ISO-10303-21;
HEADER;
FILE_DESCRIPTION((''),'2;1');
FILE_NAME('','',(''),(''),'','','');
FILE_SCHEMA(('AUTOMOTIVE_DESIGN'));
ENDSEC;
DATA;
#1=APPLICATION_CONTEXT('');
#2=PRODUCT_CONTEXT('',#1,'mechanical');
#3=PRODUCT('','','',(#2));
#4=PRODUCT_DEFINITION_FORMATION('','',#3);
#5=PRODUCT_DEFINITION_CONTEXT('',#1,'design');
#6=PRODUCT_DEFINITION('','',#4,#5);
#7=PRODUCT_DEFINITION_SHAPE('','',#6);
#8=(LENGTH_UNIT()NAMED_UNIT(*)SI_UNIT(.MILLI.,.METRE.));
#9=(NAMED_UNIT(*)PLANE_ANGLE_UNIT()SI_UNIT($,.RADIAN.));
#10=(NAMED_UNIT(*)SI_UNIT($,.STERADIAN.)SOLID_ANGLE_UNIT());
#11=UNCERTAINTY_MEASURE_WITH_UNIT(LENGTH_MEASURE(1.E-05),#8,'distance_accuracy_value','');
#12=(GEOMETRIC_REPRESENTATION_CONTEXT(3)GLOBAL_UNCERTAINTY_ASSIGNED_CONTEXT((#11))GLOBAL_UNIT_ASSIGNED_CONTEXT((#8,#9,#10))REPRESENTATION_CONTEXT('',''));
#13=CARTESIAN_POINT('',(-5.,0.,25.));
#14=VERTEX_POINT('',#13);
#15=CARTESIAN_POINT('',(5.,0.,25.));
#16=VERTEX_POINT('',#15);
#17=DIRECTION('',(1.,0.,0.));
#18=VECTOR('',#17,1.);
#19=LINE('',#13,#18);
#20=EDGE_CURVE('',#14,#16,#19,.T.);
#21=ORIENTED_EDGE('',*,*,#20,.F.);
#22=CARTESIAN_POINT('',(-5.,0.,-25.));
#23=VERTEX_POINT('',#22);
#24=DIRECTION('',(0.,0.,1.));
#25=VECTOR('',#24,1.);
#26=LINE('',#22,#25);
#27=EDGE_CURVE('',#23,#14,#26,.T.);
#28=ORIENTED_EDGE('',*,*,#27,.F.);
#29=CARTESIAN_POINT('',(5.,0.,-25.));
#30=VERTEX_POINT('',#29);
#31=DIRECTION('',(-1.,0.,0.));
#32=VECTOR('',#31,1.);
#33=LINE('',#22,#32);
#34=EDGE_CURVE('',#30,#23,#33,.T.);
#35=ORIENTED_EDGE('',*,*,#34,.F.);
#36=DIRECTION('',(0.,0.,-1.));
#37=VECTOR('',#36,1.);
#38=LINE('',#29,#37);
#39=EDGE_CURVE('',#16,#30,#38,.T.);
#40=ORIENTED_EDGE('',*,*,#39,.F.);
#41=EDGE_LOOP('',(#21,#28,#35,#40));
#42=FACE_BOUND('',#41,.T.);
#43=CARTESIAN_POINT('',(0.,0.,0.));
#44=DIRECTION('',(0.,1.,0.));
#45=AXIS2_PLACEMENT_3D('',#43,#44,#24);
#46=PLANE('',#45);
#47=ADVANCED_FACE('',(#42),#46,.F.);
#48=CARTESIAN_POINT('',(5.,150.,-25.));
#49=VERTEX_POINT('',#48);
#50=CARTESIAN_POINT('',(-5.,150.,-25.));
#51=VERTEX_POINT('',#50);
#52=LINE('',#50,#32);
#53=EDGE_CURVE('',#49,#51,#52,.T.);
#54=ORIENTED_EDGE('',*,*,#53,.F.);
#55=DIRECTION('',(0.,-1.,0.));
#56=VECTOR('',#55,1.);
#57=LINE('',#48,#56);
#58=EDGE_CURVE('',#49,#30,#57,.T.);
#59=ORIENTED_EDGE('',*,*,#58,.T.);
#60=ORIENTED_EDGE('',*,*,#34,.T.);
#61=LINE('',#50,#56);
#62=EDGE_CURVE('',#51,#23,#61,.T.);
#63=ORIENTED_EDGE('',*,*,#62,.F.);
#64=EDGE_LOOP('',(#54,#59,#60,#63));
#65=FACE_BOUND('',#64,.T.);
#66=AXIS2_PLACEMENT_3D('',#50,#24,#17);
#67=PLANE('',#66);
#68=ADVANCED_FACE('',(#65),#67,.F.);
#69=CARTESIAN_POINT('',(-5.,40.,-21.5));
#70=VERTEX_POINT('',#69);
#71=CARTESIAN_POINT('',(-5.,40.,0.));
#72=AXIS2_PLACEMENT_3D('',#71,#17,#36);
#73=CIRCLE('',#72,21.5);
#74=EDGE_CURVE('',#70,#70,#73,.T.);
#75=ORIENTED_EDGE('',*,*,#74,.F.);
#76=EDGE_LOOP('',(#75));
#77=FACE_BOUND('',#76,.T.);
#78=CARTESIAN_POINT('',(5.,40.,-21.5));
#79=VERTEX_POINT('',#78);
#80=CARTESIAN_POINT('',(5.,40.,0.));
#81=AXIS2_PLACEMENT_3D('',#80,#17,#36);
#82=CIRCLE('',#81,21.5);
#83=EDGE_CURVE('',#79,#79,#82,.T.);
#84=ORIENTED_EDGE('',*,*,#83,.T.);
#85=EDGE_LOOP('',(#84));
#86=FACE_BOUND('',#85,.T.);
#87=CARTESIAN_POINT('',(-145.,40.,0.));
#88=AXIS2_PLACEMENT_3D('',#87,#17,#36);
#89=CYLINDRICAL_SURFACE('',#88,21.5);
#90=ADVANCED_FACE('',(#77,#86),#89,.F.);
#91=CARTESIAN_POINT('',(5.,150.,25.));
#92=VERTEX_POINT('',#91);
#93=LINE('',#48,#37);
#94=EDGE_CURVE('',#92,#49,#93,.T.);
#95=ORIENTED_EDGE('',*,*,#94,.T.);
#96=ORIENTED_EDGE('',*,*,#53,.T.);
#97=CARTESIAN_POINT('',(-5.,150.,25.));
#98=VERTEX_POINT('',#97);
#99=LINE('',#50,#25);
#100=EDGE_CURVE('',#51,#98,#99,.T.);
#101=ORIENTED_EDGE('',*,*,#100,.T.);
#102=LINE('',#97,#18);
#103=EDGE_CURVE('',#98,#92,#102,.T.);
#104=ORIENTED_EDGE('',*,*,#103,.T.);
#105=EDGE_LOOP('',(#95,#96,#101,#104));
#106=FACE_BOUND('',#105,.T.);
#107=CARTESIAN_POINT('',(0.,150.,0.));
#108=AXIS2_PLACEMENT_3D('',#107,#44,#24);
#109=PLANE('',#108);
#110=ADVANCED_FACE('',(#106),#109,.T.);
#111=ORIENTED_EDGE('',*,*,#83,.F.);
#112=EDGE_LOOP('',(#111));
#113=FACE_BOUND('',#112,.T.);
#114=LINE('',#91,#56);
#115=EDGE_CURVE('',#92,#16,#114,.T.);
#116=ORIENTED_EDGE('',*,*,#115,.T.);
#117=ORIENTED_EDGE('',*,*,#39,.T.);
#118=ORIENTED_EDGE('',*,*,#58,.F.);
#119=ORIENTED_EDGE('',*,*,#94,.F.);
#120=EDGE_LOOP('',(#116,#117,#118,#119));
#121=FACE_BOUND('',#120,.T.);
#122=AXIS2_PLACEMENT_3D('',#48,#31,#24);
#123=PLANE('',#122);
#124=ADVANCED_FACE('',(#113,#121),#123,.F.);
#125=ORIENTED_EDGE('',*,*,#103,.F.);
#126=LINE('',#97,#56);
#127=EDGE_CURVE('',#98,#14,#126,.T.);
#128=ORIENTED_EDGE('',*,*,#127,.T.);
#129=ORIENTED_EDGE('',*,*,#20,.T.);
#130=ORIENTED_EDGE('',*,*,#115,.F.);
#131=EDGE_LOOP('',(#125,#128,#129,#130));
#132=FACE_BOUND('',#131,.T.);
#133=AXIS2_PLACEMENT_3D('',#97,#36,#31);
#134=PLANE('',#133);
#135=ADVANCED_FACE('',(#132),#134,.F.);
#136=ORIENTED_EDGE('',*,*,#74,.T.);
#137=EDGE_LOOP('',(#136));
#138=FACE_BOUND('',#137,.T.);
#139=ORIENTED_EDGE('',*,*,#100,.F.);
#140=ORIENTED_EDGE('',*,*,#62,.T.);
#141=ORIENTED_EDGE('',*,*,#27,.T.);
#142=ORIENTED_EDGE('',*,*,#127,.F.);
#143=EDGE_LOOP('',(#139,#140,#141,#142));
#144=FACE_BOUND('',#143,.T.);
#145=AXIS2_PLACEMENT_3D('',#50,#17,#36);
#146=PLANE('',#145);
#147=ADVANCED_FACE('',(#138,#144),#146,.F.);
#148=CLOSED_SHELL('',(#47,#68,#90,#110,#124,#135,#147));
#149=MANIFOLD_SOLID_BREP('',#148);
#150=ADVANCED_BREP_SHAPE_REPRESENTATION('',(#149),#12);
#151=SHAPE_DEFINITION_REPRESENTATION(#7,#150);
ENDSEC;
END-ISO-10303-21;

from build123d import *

# Parameters (mm, degrees)
SKETCH1_W           = 10
SKETCH1_H           = 50
BOSS_EXTRUDE1_DEPTH = 150
SKETCH2_R           = 21.5
CUT_EXTRUDE1_DEPTH  = 150


with BuildPart() as part:
    # Sketch1 → Boss-Extrude1 (new body)
    with BuildSketch(Plane(origin=(0, 0, 0), x_dir=(1, 0, 0), z_dir=(0, 1, 0))):
        Rectangle(SKETCH1_W, SKETCH1_H)
    extrude(amount=BOSS_EXTRUDE1_DEPTH)

    # Sketch2 → Cut-Extrude1 (cut)
    with BuildSketch(Plane(origin=(5, 0, 0), x_dir=(0, 0, -1), z_dir=(1, 0, 0))):
        with Locations((0, 40)):
            Circle(SKETCH2_R)
    extrude(amount=-CUT_EXTRUDE1_DEPTH, mode=Mode.SUBTRACT)


solid = part.part
